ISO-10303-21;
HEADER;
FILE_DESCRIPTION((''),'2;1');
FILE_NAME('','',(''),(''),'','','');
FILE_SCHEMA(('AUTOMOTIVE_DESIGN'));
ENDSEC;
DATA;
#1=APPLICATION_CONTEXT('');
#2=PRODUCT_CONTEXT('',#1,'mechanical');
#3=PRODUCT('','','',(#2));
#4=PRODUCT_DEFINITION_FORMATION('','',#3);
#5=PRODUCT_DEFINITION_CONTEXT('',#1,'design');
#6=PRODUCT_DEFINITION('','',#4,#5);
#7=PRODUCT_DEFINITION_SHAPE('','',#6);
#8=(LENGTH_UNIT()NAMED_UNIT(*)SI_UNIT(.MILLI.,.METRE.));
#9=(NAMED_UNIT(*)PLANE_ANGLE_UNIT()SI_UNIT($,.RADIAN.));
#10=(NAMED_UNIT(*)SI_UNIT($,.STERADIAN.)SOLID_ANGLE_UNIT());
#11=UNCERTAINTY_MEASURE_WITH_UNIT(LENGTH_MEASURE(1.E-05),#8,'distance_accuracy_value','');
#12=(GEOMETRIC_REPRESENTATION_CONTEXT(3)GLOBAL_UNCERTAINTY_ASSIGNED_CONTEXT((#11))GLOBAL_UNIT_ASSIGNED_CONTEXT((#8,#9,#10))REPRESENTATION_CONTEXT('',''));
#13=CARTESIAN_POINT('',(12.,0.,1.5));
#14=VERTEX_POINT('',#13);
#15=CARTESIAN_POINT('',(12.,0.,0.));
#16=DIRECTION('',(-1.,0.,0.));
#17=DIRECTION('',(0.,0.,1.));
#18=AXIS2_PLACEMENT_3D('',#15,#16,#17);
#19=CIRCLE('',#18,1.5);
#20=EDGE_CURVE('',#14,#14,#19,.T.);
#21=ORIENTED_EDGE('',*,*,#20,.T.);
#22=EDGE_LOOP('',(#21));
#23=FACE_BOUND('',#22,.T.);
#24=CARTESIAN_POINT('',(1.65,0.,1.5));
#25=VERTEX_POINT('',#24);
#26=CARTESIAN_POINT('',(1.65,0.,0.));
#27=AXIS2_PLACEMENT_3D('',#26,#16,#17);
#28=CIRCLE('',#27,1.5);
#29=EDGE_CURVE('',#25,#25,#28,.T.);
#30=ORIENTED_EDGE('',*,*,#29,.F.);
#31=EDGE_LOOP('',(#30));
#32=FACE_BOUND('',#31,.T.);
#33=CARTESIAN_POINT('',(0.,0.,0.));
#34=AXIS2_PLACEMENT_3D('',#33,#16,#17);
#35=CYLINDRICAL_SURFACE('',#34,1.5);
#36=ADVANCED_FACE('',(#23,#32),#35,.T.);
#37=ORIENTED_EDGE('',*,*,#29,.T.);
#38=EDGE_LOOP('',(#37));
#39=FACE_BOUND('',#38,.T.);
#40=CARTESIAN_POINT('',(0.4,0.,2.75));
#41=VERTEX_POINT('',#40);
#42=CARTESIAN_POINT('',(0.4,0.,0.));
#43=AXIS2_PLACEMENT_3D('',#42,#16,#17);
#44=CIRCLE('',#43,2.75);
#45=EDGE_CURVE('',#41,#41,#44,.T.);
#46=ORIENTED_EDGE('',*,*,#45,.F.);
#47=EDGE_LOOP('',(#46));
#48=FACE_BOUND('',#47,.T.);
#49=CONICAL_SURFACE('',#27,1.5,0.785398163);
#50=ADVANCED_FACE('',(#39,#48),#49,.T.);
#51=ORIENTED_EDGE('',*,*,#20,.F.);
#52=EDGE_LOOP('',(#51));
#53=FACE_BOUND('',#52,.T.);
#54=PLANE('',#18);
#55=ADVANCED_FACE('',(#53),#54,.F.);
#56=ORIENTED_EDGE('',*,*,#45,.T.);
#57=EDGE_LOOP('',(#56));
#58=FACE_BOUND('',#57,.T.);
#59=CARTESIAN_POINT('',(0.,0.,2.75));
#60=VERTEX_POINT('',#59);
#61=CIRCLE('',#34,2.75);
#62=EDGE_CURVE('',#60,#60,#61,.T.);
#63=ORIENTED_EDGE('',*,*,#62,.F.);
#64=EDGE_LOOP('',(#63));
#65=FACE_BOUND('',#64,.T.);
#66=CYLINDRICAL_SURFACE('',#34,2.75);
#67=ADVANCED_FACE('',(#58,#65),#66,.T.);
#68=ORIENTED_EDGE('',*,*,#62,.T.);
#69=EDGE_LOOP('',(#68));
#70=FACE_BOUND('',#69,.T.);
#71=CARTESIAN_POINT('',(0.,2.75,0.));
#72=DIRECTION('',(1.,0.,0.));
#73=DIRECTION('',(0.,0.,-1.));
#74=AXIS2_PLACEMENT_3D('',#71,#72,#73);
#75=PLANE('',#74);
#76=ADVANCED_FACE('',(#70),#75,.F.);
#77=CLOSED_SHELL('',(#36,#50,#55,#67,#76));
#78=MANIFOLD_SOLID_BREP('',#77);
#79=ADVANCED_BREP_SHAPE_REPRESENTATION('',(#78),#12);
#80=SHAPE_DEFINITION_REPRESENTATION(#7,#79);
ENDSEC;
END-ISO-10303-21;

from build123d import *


with BuildPart() as part:
    # Esquisse1 → Révolution1 (revolve)
    with BuildSketch(Plane.XY, mode=Mode.PRIVATE) as r_volution1_sk:
        Polygon((0, 0), (12, 0), (12, 1.5), (1.65, 1.5), (0.4, 2.75), (0, 2.75), align=None)
    revolve(r_volution1_sk.sketch.rotate(Axis((0, 0, 0), (1, 0, 0)), 90), axis=Axis((0, 0, 0), (1, 0, 0)))


solid = part.part
